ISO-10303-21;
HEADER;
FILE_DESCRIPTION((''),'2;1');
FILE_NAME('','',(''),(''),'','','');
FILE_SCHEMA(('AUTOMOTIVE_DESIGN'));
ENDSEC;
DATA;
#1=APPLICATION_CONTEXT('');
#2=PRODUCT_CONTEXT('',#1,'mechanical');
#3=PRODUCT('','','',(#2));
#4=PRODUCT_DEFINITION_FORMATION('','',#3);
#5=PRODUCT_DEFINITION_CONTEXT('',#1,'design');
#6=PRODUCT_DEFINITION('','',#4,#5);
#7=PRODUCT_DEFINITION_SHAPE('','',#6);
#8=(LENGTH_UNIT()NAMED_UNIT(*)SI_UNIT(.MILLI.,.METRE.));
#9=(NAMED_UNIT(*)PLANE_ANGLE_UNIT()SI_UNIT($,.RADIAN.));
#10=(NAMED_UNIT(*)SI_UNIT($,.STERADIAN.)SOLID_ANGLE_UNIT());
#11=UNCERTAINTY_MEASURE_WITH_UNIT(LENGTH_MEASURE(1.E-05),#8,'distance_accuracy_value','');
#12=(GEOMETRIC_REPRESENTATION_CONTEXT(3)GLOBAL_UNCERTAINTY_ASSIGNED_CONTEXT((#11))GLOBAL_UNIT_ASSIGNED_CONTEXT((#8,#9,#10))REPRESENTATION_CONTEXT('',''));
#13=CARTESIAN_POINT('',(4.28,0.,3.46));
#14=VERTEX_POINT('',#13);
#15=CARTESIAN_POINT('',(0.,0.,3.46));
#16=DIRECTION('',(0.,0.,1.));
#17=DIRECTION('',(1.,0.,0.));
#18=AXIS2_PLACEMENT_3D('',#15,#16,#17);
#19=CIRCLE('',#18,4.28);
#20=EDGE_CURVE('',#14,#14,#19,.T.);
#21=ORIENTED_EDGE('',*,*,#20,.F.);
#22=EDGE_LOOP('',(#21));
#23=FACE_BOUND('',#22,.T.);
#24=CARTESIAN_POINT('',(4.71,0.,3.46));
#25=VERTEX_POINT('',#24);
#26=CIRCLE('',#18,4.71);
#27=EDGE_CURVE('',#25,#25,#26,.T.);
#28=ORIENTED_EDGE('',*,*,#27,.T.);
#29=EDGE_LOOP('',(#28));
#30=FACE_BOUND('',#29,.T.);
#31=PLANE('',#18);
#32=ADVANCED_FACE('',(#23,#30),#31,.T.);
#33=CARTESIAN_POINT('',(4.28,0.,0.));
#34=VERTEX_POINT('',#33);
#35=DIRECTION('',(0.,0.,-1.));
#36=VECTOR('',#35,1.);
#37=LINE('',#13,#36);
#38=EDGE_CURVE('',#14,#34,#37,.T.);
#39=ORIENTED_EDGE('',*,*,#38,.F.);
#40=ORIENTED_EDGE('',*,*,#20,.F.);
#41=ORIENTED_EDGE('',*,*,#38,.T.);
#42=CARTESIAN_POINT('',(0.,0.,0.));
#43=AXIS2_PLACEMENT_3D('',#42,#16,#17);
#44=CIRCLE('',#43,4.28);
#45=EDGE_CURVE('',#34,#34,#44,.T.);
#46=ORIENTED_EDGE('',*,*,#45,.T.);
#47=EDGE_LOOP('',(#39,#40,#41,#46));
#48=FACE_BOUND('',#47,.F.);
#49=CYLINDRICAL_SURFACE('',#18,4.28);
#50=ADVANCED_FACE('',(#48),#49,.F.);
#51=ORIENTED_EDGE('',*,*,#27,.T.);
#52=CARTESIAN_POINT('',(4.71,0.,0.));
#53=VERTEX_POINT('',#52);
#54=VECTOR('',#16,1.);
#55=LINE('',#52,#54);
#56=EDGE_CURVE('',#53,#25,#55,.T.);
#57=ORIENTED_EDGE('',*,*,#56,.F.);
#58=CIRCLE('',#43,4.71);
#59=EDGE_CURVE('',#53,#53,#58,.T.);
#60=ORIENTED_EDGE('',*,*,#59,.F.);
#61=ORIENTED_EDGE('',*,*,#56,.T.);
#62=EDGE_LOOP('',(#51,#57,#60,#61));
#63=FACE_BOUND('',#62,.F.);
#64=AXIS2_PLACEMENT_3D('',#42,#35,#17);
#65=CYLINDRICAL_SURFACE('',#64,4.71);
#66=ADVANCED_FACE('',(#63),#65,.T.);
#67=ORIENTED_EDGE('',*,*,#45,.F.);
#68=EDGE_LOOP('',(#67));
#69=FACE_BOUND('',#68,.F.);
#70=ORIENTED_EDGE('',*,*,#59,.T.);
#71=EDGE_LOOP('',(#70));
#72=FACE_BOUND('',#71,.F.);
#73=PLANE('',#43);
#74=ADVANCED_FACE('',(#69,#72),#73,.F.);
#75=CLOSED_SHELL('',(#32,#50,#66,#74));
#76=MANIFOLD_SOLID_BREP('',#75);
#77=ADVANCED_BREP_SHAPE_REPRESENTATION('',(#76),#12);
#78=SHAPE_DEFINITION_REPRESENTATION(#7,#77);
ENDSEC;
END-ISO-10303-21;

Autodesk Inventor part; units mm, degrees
ref_plane "YZ Plane" through (0, 0, 0) normal (1, 0, 0) x (0, 1, 0)
ref_plane "XZ Plane" through (0, 0, 0) normal (0, 1, 0) x (-1, 0, 0)
ref_plane "XY Plane" through (0, 0, 0) normal (0, 0, 1) x (1, 0, 0)
sketch "Sketch1" plane through (0, 0, 0) normal (0, 0, 1) x (1, 0, 0)
  circle A0 centre (0, 0) radius 4.71
  dimension "d0" = 9.42
extrude "Extrusion1" add sketch "Sketch1" along normal blind 3.46
sketch "Sketch2" plane through (0, 0, 3.46) normal (0, 0, 1) x (1, 0, 0)
  circle A0 centre (0, 0) radius 4.28
  dimension "d3" = 8.56
extrude "Extrusion2" cut sketch "Sketch2" against normal through all
properties part number "MIRROR_A"
